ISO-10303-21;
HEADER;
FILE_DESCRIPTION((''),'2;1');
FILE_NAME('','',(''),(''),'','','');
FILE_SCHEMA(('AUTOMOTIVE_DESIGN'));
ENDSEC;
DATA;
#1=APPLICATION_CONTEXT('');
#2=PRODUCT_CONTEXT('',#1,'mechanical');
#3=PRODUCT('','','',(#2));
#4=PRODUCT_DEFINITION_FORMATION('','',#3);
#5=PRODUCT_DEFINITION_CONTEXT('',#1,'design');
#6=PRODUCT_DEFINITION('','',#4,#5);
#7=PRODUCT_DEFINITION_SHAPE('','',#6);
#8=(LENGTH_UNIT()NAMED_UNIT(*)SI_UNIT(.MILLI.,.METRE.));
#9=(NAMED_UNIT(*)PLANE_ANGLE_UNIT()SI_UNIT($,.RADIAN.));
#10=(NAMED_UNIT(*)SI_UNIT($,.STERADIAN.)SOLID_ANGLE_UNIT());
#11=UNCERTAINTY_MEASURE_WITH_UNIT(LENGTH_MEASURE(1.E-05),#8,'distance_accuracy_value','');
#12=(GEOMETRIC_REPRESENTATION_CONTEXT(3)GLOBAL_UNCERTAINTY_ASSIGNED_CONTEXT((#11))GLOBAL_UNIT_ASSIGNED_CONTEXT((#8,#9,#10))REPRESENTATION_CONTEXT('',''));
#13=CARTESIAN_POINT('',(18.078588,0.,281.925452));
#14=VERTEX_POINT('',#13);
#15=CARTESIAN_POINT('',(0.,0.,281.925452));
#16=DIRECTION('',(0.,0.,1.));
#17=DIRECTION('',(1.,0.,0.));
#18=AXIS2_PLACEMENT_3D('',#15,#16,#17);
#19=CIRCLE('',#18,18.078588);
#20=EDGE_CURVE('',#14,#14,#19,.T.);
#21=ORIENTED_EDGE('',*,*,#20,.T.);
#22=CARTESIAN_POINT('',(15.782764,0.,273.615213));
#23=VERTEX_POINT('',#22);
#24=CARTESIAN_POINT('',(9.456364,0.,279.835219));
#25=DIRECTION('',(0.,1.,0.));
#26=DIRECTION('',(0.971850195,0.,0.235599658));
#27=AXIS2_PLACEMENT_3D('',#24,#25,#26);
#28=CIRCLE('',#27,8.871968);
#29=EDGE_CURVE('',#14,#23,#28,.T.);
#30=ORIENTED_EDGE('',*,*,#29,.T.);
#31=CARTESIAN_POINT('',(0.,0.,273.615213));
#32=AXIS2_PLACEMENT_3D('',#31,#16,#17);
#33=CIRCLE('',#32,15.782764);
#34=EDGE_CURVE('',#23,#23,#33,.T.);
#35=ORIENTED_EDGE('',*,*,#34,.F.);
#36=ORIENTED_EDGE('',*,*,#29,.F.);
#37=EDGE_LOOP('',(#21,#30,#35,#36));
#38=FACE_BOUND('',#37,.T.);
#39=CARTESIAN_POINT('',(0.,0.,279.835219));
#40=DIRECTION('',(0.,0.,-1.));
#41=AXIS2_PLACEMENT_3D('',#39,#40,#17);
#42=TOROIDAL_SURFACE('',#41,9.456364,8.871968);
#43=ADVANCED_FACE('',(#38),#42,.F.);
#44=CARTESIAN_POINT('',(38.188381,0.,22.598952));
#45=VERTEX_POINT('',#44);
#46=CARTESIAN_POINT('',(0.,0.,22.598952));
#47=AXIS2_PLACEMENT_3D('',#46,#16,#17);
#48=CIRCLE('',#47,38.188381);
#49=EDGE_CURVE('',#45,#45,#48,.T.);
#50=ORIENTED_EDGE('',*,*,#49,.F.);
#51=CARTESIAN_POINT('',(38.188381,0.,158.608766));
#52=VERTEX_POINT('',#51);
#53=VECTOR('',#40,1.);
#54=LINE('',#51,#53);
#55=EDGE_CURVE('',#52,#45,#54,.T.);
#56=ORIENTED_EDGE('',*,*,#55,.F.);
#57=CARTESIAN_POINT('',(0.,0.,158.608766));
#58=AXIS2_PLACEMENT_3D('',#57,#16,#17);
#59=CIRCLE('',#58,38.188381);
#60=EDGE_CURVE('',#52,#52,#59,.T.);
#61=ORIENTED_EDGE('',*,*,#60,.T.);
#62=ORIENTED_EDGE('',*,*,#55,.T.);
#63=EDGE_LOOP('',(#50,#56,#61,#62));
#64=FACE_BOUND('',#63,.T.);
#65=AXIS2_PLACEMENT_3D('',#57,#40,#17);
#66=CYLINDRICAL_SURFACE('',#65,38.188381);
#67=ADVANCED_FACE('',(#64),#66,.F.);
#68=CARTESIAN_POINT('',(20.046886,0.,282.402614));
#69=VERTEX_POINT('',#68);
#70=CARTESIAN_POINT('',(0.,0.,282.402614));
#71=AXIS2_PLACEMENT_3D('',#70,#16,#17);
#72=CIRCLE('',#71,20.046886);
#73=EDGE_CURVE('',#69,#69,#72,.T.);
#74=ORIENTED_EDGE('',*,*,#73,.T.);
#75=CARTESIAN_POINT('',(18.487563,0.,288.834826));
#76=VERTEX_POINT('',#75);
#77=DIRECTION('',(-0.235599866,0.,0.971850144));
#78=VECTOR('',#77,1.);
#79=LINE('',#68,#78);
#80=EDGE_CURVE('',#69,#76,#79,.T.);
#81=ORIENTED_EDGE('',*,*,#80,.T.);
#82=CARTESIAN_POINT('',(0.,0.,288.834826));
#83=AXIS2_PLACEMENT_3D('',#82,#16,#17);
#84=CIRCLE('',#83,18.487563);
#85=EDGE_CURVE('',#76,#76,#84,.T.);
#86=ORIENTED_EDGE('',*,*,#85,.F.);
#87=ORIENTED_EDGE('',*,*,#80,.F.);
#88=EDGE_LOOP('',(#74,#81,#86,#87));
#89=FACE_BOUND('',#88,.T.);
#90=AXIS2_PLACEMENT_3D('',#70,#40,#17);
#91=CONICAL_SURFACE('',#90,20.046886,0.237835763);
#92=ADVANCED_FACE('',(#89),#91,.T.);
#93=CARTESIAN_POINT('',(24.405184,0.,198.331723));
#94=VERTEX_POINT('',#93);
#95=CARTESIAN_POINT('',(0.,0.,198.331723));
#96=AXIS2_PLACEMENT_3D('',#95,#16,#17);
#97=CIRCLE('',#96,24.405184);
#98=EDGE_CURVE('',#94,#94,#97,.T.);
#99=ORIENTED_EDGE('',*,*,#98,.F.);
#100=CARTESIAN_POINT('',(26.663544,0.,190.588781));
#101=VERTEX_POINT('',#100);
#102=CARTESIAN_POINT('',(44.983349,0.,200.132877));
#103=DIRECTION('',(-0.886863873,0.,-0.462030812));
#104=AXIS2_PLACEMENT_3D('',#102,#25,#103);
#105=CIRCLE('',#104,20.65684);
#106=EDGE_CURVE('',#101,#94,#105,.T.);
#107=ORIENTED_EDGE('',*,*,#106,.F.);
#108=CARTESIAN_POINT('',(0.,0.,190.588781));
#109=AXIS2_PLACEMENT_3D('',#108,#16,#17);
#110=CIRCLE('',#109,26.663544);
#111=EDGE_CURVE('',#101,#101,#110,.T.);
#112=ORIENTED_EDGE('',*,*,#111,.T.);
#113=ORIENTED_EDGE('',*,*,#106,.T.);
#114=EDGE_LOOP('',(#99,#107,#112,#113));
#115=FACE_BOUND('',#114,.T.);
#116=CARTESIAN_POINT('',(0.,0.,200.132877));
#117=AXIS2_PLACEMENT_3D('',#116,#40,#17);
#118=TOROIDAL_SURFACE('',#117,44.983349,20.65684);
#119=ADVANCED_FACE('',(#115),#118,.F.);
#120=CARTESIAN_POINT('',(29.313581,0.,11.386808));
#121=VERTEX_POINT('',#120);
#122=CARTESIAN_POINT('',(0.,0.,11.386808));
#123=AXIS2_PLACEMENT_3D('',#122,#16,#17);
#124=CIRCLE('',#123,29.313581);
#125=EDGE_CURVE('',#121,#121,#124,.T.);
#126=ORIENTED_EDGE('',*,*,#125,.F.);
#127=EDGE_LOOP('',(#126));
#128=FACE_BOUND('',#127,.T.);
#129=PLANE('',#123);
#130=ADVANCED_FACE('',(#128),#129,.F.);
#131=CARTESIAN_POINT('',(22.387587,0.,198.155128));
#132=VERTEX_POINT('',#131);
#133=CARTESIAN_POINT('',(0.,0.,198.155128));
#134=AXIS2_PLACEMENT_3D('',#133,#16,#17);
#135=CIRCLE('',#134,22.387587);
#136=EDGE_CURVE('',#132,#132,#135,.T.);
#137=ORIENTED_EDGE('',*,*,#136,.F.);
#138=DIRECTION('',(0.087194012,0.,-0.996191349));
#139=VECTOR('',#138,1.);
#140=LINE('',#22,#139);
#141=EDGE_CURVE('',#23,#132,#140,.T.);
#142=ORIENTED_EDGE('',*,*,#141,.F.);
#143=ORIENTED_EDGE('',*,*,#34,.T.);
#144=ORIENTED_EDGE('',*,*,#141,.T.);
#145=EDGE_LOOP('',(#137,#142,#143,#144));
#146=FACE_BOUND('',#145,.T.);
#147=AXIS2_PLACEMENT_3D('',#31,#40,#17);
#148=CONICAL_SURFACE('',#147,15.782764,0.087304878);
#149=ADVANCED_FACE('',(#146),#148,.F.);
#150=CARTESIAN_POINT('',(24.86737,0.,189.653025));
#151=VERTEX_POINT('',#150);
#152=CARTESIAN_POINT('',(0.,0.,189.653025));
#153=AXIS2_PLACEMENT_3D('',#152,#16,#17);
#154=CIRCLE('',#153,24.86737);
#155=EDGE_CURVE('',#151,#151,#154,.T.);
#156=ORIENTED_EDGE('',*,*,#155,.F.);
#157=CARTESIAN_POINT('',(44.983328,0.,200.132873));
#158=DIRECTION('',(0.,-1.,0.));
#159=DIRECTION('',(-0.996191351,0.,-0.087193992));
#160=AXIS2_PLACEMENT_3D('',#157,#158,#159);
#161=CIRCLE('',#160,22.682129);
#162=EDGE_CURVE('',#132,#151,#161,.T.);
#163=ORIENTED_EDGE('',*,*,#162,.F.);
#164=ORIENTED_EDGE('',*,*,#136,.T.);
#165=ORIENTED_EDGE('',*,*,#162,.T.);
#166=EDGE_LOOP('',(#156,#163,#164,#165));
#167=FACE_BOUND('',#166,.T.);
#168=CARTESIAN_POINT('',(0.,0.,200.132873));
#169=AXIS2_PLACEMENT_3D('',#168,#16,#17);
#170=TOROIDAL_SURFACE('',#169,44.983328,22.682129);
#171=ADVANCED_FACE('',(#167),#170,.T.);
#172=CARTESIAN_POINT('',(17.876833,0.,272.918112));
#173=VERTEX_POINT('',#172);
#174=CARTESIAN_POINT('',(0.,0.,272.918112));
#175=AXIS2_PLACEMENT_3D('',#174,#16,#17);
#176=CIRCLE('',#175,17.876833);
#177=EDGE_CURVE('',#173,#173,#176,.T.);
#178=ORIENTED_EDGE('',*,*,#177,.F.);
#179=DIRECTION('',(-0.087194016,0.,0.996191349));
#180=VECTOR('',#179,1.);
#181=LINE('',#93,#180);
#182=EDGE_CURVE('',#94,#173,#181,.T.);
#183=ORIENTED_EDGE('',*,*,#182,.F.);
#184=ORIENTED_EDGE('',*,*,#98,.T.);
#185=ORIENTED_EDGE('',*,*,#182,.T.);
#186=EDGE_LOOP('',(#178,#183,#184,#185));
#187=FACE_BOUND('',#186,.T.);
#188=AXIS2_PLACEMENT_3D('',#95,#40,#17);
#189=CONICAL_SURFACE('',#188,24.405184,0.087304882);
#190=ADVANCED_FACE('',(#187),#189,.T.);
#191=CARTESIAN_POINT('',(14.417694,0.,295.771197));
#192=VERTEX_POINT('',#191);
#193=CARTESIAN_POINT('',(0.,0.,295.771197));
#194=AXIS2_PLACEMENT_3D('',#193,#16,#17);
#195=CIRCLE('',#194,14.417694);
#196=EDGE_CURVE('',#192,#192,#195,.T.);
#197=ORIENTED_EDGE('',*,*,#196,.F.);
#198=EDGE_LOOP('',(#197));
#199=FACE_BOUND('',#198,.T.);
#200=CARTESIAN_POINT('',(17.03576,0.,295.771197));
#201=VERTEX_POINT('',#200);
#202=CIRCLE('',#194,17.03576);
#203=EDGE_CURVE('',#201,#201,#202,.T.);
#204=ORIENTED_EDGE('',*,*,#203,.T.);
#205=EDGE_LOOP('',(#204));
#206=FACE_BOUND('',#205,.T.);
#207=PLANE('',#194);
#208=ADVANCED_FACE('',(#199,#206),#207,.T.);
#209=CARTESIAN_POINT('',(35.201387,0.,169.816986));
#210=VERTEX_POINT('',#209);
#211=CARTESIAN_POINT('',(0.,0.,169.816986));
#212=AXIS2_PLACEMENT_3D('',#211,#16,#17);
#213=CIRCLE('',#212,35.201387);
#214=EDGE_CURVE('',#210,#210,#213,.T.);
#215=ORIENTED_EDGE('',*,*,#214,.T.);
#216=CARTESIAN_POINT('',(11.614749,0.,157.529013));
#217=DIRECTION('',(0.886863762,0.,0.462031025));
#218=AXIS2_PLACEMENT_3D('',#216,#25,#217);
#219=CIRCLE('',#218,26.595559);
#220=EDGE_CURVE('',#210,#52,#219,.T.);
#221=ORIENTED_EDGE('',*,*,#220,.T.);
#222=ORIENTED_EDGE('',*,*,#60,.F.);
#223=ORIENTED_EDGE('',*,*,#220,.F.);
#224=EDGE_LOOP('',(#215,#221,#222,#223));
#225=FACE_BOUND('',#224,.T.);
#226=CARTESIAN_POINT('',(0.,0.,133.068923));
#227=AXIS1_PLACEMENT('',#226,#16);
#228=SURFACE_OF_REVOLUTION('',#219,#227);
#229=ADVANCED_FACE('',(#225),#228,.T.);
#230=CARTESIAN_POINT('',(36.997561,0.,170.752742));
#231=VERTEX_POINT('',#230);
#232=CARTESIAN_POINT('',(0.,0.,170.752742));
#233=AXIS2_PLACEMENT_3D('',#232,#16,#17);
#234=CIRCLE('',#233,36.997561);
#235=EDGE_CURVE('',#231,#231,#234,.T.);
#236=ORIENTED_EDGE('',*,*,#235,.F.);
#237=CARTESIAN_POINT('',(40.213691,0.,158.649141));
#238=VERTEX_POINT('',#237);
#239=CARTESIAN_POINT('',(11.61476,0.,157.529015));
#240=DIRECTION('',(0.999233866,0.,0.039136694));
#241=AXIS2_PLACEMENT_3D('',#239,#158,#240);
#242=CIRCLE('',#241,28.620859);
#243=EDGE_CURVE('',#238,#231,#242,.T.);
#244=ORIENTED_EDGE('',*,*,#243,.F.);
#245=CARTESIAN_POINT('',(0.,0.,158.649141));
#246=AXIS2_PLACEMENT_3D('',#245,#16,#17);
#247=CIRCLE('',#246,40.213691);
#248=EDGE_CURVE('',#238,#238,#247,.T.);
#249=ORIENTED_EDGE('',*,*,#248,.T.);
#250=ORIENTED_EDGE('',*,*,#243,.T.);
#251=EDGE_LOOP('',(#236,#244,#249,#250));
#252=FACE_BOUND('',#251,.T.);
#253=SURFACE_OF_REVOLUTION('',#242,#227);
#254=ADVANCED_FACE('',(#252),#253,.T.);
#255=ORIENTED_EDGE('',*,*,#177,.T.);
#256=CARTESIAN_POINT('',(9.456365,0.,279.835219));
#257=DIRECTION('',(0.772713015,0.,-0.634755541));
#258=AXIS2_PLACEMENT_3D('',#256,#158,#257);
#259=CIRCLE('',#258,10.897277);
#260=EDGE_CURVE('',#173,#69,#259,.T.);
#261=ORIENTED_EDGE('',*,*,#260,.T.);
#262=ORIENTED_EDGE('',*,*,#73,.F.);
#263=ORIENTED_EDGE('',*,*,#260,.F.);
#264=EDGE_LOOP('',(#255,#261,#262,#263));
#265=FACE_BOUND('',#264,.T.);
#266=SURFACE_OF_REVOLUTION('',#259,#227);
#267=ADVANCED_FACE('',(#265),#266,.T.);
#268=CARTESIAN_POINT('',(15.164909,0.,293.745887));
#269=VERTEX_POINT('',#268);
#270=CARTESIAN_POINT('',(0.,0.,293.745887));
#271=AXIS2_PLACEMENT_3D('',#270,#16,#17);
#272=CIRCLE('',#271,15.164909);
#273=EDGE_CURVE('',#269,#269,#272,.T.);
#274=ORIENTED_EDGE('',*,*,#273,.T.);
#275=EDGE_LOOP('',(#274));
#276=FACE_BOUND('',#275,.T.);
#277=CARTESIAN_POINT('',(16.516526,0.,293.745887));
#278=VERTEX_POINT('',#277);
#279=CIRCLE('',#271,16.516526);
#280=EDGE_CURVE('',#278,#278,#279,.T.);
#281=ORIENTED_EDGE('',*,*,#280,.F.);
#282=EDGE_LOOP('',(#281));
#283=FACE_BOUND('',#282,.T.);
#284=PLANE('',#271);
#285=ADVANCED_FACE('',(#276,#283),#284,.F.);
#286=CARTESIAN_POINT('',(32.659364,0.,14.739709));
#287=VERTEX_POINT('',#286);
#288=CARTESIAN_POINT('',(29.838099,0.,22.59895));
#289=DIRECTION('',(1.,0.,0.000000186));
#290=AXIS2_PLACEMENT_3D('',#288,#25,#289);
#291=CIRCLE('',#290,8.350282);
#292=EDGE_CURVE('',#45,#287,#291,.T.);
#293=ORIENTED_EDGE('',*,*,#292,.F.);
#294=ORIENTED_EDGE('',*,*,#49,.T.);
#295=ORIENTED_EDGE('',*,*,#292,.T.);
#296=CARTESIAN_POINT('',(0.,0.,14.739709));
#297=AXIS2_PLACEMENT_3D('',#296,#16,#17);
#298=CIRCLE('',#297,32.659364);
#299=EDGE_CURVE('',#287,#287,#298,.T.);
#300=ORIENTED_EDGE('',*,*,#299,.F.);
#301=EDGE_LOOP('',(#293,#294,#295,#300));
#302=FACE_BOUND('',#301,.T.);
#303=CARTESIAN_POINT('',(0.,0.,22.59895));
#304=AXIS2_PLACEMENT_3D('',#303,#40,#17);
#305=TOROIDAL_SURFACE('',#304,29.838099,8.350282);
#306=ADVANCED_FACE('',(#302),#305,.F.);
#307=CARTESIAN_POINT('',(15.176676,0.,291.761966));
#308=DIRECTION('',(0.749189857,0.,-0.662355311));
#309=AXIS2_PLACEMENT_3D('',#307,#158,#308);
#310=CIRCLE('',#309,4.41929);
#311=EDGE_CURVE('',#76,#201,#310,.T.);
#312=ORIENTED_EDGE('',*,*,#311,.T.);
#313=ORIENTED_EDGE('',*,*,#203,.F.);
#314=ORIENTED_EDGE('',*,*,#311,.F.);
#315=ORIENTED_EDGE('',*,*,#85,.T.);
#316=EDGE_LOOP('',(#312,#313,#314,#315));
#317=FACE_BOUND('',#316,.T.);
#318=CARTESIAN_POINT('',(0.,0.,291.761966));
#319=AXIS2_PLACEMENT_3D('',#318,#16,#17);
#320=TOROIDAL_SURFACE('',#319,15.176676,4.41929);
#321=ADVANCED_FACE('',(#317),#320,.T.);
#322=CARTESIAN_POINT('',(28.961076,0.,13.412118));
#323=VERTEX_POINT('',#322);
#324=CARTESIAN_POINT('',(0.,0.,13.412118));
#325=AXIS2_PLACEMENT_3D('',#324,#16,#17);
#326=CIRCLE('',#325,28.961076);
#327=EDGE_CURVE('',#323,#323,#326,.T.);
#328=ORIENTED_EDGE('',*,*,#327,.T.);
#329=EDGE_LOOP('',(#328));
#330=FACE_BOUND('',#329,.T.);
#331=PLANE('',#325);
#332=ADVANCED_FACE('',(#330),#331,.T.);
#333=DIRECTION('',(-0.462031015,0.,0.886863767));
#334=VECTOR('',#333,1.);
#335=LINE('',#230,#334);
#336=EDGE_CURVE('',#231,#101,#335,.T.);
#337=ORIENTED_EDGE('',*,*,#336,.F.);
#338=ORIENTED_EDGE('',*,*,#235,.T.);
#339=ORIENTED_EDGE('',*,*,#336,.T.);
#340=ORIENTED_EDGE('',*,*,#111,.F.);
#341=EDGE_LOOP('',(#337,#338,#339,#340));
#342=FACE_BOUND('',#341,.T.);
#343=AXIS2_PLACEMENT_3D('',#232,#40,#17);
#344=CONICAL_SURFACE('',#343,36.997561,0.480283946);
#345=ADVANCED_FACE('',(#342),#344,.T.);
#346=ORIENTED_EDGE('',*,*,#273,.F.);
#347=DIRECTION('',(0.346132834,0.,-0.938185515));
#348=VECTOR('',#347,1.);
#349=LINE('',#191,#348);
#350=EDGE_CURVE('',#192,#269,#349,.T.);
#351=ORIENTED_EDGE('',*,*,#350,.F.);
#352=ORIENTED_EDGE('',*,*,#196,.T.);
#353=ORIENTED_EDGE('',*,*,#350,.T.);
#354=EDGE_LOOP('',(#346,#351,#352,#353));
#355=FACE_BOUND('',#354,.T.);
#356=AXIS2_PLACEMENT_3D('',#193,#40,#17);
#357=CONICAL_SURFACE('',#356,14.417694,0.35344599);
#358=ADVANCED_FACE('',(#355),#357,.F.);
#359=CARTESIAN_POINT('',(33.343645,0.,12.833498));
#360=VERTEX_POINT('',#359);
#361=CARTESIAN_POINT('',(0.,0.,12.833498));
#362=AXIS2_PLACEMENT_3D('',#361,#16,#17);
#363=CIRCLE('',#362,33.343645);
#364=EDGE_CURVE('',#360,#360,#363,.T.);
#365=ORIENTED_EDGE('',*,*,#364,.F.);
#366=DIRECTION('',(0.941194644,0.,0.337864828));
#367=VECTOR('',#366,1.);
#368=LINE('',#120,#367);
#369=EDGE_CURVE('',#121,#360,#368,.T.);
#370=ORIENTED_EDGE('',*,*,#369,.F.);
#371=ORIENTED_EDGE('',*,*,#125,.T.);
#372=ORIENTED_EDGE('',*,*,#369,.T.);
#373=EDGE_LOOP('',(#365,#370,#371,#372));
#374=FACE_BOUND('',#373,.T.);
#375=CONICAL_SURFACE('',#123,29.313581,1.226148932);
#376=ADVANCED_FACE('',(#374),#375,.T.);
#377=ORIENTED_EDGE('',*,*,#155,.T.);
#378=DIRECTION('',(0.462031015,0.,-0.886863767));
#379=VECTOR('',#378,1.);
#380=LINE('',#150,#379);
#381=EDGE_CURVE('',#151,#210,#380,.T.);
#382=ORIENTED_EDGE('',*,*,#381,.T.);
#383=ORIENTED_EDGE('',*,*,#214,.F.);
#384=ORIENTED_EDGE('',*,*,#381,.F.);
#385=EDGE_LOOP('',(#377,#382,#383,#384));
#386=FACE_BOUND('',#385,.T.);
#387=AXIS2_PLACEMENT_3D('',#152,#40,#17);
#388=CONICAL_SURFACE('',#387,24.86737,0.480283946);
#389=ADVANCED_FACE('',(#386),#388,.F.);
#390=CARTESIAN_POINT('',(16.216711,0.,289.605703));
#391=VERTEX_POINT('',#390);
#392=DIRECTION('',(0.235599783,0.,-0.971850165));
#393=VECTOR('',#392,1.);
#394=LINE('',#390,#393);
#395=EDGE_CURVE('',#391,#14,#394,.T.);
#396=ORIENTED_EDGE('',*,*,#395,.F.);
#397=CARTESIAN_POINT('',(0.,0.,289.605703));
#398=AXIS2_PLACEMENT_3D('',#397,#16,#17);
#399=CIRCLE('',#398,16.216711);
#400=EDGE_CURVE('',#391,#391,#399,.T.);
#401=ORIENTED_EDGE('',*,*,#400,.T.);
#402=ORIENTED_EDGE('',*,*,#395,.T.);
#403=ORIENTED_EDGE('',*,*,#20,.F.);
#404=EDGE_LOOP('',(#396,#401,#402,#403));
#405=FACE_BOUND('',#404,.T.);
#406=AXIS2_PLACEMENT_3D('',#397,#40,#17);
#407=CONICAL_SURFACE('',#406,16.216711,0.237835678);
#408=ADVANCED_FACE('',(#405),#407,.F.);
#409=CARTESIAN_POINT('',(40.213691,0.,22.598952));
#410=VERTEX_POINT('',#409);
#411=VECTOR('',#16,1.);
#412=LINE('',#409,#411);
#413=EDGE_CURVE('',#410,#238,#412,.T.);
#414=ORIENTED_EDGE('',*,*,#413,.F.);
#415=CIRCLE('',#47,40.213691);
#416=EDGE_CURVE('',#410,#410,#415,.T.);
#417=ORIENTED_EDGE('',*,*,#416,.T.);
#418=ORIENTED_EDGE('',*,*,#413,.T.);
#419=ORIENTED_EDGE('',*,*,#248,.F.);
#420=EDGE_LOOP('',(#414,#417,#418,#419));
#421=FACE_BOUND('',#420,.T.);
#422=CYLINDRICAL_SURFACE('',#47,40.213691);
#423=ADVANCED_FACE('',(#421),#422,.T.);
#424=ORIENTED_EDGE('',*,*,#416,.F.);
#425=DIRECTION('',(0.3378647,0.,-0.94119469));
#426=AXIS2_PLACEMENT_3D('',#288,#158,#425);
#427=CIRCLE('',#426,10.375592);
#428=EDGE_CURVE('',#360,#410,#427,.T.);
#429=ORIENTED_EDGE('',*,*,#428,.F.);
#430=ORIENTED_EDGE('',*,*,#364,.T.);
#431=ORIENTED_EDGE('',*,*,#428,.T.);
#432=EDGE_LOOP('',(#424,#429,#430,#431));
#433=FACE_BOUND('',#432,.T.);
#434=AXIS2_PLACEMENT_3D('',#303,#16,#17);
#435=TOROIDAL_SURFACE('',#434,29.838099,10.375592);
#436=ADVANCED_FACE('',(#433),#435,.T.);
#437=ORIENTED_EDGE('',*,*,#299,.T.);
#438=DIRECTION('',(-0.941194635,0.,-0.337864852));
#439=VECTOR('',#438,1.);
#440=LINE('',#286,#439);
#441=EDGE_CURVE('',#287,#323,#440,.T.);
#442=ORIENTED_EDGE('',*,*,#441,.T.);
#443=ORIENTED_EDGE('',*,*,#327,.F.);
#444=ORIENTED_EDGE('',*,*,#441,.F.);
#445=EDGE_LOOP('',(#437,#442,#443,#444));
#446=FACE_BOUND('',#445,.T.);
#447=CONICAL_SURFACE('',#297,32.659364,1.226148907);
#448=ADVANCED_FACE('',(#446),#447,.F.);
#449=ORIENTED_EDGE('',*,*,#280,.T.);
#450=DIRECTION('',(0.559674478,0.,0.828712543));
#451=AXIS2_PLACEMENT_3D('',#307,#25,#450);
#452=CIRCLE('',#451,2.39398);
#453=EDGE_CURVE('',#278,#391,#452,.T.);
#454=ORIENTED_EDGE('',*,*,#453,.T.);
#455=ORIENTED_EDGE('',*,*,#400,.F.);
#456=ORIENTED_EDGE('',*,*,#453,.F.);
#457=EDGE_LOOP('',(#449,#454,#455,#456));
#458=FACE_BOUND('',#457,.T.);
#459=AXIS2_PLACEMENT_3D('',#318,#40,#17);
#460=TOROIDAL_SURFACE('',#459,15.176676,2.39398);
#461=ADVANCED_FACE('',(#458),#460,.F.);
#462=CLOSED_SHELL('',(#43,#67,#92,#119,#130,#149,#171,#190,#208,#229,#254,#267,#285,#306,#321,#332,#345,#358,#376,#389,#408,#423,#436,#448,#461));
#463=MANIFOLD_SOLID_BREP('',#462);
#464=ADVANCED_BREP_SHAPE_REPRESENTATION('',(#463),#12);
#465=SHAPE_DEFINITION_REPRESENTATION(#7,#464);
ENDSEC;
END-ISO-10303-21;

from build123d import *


with BuildPart() as f1:
    # F0 (on Front) → F1 (revolve)
    with BuildSketch(Plane.XZ):
        with BuildLine():
            Line((24.405184, 198.331723), (17.876833, 272.918112))
            ThreePointArc((17.876833, 272.918112), (20.079141, 277.404729), (20.046886, 282.402614))
            Line((20.046886, 282.402614), (18.487563, 288.834826))
            ThreePointArc((18.487563, 288.834826), (19.502235, 292.667318), (17.03576, 295.771197))
            Line((17.03576, 295.771197), (14.417694, 295.771197))
            Line((14.417694, 295.771197), (15.164909, 293.745887))
            Line((15.164909, 293.745887), (16.516526, 293.745887))
            ThreePointArc((16.516526, 293.745887), (17.564404, 291.589056), (16.216711, 289.605703))
            Line((16.216711, 289.605703), (18.078588, 281.925452))
            ThreePointArc((18.078588, 281.925452), (18.007993, 277.472708), (15.782764, 273.615213))
            Line((15.782764, 273.615213), (22.387587, 198.155128))
            ThreePointArc((22.387587, 198.155128), (23.208486, 193.78187), (24.86737, 189.653025))
            Line((24.86737, 189.653025), (35.201387, 169.816986))
            ThreePointArc((35.201387, 169.816986), (37.313372, 164.377703), (38.188381, 158.608766))
            Line((38.188381, 158.608766), (38.188381, 98.318713))
            Line((38.188381, 98.318713), (38.188381, 22.598952))
            ThreePointArc((38.188381, 22.598952), (36.667652, 17.794326), (32.659364, 14.739709))
            Line((32.659364, 14.739709), (28.961076, 13.412118))
            Line((28.961076, 13.412118), (0, 13.412118))
            Line((0, 13.412118), (0, 11.386808))
            Line((0, 11.386808), (29.313581, 11.386808))
            Line((29.313581, 11.386808), (33.343645, 12.833498))
            ThreePointArc((33.343645, 12.833498), (38.324118, 16.628993), (40.213691, 22.598952))
            Line((40.213691, 22.598952), (40.213691, 98.318713))
            Line((40.213691, 98.318713), (40.213691, 158.649141))
            ThreePointArc((40.213691, 158.649141), (39.275764, 164.879008), (36.997561, 170.752742))
            Line((36.997561, 170.752742), (26.663544, 190.588781))
            ThreePointArc((26.663544, 190.588781), (25.152784, 194.348958), (24.405184, 198.331723))
        make_face()
    revolve(axis=Axis((0, 0, 133.068923), (0, 0, 1)))


solid = f1.part
